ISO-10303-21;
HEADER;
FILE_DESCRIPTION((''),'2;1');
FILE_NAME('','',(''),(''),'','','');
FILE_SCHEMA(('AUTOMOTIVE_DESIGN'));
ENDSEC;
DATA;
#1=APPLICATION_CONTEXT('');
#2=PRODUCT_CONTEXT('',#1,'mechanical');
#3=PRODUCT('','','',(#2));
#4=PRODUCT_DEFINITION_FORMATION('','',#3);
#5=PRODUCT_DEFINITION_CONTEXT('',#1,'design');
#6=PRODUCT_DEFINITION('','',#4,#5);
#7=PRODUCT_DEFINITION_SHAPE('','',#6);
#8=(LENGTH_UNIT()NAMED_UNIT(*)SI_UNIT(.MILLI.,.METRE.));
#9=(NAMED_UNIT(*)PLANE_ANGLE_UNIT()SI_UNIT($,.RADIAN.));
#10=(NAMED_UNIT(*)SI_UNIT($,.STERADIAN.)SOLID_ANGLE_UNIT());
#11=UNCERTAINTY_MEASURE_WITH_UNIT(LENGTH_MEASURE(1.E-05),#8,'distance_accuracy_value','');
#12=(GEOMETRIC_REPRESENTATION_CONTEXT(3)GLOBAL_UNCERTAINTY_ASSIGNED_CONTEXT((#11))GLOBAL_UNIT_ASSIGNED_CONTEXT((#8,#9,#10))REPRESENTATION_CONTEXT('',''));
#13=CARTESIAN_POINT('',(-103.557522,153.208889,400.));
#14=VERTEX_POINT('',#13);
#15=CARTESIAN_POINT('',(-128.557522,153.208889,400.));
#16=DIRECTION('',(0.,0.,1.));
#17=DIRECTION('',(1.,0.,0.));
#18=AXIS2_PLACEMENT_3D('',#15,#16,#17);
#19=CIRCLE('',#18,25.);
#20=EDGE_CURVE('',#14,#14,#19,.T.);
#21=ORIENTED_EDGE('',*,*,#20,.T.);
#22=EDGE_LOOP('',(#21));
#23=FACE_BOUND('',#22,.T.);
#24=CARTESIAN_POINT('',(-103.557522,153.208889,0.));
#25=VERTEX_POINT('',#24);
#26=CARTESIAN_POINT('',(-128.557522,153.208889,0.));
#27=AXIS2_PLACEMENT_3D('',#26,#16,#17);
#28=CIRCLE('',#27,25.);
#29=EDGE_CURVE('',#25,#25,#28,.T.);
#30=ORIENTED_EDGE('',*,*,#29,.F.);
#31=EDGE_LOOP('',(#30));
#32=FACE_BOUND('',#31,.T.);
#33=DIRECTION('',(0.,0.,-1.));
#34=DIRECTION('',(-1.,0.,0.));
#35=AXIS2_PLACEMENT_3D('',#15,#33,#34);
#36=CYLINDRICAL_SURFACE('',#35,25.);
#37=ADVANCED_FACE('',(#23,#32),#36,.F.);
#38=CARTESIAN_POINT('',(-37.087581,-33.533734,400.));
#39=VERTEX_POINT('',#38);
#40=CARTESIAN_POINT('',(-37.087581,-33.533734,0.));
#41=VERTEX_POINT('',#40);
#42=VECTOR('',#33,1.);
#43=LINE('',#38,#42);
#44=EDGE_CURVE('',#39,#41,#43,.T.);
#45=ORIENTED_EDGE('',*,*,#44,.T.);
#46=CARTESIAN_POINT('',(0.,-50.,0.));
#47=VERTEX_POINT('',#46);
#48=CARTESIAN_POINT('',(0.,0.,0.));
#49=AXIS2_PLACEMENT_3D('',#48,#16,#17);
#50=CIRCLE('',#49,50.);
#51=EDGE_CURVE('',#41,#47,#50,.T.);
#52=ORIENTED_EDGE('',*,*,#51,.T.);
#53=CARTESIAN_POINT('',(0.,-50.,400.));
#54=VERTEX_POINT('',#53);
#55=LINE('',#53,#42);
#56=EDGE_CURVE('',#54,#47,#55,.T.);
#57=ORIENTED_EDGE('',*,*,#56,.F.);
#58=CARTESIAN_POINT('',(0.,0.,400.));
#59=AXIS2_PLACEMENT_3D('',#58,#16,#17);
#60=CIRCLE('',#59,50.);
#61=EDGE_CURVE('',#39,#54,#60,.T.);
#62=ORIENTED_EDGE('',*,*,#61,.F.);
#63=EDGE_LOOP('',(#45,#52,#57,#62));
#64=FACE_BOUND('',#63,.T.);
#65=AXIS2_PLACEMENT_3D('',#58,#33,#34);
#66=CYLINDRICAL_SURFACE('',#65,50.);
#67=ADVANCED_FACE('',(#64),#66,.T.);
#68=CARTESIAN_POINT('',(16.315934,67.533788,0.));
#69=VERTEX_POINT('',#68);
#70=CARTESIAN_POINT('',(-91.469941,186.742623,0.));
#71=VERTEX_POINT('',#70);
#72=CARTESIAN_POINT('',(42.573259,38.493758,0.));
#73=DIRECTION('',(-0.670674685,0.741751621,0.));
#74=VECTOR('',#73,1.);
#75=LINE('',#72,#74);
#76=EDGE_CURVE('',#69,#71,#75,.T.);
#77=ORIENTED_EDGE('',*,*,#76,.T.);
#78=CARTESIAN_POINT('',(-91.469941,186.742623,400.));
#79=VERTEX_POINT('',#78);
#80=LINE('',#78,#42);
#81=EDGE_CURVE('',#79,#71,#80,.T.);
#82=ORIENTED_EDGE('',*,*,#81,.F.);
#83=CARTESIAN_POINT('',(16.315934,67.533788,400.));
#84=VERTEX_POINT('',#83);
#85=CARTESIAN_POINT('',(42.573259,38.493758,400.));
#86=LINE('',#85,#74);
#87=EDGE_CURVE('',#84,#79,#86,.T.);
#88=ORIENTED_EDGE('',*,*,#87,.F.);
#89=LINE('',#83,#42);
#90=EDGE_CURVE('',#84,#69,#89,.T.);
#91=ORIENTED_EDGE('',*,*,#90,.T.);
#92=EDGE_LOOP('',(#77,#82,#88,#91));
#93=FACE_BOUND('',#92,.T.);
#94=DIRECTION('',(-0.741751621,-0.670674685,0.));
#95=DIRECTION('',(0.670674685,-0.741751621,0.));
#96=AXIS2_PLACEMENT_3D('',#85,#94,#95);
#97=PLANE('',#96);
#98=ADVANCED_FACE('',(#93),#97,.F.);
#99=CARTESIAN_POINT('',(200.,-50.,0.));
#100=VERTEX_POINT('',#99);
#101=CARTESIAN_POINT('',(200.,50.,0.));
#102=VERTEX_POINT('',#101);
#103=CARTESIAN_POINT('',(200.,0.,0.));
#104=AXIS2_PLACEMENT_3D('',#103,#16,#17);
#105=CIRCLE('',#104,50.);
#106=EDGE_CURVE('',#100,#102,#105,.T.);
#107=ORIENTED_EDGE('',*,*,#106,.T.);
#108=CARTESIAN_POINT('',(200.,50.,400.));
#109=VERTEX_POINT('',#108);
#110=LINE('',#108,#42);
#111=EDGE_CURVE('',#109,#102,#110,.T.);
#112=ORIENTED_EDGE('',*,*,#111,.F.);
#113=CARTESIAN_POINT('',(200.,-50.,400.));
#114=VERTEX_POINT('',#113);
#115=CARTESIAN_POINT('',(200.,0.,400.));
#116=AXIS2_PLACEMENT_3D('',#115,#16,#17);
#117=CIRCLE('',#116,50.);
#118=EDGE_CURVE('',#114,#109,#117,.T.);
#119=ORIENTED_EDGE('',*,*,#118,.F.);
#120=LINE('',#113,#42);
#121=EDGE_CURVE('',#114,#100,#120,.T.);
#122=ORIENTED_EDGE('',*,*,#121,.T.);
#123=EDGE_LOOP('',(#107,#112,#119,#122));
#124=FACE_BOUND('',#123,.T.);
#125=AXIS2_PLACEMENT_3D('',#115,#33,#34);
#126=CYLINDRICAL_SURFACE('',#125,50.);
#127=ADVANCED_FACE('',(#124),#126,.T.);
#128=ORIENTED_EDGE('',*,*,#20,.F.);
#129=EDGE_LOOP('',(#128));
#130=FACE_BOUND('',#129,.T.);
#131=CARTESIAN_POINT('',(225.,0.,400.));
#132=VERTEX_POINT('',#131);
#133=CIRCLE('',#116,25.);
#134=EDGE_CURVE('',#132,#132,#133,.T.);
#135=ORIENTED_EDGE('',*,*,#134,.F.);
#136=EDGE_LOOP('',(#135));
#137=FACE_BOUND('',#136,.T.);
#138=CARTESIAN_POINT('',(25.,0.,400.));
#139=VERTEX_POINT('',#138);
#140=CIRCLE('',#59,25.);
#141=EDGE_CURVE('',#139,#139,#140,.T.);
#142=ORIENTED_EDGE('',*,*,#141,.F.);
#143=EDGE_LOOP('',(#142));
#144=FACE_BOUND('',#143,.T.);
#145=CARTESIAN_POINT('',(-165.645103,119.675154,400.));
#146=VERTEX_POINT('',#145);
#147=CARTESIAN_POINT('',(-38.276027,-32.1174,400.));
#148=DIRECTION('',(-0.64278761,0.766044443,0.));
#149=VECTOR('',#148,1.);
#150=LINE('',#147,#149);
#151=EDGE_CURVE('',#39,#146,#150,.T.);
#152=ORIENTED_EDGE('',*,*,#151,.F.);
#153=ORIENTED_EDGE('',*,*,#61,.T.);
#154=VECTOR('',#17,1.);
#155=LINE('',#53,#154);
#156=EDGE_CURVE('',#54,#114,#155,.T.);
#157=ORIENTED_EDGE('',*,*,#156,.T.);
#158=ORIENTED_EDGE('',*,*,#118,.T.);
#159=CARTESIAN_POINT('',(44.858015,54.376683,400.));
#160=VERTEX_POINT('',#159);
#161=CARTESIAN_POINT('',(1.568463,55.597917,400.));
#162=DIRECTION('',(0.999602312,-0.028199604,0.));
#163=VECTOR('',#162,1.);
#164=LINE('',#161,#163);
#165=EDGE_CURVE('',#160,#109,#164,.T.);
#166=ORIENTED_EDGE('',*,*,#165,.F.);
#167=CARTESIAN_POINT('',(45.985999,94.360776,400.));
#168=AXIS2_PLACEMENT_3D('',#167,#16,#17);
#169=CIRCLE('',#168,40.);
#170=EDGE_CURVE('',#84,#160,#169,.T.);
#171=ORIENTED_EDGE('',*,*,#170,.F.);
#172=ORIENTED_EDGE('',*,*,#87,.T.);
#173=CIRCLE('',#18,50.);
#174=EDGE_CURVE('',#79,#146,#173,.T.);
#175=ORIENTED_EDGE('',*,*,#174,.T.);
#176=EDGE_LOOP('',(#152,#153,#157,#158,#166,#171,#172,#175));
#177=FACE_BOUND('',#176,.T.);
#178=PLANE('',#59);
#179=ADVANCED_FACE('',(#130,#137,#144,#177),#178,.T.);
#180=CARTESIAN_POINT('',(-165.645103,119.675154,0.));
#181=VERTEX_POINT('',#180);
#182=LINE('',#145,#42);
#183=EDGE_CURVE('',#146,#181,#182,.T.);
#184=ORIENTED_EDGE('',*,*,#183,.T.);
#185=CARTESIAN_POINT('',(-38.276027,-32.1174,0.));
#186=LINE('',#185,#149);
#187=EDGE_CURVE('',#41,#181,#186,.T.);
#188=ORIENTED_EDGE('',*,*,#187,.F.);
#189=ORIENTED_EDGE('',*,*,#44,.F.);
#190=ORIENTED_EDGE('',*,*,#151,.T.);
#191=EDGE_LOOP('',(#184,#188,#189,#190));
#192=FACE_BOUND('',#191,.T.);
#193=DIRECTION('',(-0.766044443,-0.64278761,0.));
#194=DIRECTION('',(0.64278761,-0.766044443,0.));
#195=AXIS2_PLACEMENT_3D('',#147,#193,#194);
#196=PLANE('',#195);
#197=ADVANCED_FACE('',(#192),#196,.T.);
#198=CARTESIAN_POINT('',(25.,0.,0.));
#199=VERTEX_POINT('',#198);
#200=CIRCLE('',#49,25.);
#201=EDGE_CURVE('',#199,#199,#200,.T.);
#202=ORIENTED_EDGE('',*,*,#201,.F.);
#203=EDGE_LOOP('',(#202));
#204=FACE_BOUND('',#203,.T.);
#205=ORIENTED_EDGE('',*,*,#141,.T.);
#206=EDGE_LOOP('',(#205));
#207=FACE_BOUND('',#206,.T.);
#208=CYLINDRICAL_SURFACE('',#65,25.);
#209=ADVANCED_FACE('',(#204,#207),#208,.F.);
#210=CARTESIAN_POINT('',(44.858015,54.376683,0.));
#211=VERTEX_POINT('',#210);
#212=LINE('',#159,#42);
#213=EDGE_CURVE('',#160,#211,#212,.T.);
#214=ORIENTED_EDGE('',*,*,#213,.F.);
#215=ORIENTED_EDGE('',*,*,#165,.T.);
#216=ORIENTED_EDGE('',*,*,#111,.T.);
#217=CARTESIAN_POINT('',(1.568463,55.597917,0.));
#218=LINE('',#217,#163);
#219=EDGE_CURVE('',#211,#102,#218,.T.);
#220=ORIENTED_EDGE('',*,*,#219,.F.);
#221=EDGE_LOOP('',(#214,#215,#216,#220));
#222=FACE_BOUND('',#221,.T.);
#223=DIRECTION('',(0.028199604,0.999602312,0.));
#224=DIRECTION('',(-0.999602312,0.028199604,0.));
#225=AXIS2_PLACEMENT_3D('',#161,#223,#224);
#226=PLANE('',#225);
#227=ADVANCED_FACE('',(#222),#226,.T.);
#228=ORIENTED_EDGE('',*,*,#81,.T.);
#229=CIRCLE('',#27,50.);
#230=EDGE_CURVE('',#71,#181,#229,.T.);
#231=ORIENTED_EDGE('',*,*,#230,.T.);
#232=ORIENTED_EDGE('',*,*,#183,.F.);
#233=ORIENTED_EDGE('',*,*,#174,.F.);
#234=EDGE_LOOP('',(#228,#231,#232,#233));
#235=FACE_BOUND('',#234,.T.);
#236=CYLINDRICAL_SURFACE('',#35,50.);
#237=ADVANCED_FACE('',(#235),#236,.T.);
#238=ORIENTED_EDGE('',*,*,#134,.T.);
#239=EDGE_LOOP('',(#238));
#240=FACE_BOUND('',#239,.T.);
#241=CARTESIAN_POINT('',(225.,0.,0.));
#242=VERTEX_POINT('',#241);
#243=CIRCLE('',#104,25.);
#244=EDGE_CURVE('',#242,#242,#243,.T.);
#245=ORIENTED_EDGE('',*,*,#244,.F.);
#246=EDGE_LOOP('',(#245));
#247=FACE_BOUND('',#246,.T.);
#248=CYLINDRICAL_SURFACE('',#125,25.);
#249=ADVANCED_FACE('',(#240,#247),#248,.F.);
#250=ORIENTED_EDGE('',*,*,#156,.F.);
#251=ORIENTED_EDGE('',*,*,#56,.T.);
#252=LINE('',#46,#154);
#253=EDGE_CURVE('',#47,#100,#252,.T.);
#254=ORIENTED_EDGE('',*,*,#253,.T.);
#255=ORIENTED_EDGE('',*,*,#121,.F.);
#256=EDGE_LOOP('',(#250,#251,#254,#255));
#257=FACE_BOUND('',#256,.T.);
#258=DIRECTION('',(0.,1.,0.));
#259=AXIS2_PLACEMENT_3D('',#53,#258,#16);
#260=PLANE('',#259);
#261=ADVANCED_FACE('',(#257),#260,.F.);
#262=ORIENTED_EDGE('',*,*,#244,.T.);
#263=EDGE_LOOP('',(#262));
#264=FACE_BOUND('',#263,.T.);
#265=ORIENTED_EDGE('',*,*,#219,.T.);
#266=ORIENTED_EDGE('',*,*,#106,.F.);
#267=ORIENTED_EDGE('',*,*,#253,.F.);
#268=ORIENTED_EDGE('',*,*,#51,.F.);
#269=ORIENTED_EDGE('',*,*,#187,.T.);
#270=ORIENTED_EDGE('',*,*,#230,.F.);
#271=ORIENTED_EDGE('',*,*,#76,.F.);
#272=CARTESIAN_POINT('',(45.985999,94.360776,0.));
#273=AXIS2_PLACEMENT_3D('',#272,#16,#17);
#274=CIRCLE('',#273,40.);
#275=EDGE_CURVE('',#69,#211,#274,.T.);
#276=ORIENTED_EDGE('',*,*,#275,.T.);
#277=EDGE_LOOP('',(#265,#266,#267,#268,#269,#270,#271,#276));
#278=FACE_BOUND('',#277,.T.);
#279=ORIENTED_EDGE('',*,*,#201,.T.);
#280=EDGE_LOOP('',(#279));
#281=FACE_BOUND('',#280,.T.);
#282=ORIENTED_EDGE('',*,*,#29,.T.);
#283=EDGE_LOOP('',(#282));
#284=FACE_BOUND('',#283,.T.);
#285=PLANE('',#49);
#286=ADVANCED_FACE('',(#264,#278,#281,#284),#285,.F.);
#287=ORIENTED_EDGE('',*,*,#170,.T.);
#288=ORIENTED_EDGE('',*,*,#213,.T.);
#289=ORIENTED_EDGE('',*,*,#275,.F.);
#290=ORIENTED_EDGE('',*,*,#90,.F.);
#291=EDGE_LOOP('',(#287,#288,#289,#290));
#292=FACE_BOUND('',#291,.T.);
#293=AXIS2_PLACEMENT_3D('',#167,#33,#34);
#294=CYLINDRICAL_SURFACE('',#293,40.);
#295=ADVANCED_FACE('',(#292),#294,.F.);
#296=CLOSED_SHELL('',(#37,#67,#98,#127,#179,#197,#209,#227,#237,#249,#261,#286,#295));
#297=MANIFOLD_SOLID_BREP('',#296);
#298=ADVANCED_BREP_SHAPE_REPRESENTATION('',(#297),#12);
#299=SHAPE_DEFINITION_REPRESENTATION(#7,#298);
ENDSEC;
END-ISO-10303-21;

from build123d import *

# Parameters (mm, degrees)
SKETCH2_R           = 25
BOSS_EXTRUDE1_DEPTH = 400


with BuildPart() as part:
    # Sketch2 → Boss-Extrude1 (new body)
    with BuildSketch(Plane.XY):
        with BuildLine():
            ThreePointArc((16.315934256, 67.533788123), (29.24063231, 58.034577093), (44.858014963, 54.37668302))
            Line((44.858014963, 54.37668302), (200, 50))
            ThreePointArc((200, 50), (250, 0), (200, -50))
            Line((200, -50), (0, -50))
            ThreePointArc((0, -50), (-20.289323408, -45.698395548), (-37.08758106, -33.533734226))
            Line((-37.08758106, -33.533734226), (-165.645102997, 119.675154398))
            ThreePointArc((-165.645102997, 119.675154398), (-162.091256163, 190.296469684), (-91.469940878, 186.74262285))
            Line((-91.469940878, 186.74262285), (16.315934256, 67.533788123))
        make_face()
        with Locations((200, 0)):
            Circle(SKETCH2_R, mode=Mode.SUBTRACT)
        Circle(SKETCH2_R, mode=Mode.SUBTRACT)
        with Locations((-128.557521937, 153.208888624)):
            Circle(SKETCH2_R, mode=Mode.SUBTRACT)
    extrude(amount=BOSS_EXTRUDE1_DEPTH)


solid = part.part
